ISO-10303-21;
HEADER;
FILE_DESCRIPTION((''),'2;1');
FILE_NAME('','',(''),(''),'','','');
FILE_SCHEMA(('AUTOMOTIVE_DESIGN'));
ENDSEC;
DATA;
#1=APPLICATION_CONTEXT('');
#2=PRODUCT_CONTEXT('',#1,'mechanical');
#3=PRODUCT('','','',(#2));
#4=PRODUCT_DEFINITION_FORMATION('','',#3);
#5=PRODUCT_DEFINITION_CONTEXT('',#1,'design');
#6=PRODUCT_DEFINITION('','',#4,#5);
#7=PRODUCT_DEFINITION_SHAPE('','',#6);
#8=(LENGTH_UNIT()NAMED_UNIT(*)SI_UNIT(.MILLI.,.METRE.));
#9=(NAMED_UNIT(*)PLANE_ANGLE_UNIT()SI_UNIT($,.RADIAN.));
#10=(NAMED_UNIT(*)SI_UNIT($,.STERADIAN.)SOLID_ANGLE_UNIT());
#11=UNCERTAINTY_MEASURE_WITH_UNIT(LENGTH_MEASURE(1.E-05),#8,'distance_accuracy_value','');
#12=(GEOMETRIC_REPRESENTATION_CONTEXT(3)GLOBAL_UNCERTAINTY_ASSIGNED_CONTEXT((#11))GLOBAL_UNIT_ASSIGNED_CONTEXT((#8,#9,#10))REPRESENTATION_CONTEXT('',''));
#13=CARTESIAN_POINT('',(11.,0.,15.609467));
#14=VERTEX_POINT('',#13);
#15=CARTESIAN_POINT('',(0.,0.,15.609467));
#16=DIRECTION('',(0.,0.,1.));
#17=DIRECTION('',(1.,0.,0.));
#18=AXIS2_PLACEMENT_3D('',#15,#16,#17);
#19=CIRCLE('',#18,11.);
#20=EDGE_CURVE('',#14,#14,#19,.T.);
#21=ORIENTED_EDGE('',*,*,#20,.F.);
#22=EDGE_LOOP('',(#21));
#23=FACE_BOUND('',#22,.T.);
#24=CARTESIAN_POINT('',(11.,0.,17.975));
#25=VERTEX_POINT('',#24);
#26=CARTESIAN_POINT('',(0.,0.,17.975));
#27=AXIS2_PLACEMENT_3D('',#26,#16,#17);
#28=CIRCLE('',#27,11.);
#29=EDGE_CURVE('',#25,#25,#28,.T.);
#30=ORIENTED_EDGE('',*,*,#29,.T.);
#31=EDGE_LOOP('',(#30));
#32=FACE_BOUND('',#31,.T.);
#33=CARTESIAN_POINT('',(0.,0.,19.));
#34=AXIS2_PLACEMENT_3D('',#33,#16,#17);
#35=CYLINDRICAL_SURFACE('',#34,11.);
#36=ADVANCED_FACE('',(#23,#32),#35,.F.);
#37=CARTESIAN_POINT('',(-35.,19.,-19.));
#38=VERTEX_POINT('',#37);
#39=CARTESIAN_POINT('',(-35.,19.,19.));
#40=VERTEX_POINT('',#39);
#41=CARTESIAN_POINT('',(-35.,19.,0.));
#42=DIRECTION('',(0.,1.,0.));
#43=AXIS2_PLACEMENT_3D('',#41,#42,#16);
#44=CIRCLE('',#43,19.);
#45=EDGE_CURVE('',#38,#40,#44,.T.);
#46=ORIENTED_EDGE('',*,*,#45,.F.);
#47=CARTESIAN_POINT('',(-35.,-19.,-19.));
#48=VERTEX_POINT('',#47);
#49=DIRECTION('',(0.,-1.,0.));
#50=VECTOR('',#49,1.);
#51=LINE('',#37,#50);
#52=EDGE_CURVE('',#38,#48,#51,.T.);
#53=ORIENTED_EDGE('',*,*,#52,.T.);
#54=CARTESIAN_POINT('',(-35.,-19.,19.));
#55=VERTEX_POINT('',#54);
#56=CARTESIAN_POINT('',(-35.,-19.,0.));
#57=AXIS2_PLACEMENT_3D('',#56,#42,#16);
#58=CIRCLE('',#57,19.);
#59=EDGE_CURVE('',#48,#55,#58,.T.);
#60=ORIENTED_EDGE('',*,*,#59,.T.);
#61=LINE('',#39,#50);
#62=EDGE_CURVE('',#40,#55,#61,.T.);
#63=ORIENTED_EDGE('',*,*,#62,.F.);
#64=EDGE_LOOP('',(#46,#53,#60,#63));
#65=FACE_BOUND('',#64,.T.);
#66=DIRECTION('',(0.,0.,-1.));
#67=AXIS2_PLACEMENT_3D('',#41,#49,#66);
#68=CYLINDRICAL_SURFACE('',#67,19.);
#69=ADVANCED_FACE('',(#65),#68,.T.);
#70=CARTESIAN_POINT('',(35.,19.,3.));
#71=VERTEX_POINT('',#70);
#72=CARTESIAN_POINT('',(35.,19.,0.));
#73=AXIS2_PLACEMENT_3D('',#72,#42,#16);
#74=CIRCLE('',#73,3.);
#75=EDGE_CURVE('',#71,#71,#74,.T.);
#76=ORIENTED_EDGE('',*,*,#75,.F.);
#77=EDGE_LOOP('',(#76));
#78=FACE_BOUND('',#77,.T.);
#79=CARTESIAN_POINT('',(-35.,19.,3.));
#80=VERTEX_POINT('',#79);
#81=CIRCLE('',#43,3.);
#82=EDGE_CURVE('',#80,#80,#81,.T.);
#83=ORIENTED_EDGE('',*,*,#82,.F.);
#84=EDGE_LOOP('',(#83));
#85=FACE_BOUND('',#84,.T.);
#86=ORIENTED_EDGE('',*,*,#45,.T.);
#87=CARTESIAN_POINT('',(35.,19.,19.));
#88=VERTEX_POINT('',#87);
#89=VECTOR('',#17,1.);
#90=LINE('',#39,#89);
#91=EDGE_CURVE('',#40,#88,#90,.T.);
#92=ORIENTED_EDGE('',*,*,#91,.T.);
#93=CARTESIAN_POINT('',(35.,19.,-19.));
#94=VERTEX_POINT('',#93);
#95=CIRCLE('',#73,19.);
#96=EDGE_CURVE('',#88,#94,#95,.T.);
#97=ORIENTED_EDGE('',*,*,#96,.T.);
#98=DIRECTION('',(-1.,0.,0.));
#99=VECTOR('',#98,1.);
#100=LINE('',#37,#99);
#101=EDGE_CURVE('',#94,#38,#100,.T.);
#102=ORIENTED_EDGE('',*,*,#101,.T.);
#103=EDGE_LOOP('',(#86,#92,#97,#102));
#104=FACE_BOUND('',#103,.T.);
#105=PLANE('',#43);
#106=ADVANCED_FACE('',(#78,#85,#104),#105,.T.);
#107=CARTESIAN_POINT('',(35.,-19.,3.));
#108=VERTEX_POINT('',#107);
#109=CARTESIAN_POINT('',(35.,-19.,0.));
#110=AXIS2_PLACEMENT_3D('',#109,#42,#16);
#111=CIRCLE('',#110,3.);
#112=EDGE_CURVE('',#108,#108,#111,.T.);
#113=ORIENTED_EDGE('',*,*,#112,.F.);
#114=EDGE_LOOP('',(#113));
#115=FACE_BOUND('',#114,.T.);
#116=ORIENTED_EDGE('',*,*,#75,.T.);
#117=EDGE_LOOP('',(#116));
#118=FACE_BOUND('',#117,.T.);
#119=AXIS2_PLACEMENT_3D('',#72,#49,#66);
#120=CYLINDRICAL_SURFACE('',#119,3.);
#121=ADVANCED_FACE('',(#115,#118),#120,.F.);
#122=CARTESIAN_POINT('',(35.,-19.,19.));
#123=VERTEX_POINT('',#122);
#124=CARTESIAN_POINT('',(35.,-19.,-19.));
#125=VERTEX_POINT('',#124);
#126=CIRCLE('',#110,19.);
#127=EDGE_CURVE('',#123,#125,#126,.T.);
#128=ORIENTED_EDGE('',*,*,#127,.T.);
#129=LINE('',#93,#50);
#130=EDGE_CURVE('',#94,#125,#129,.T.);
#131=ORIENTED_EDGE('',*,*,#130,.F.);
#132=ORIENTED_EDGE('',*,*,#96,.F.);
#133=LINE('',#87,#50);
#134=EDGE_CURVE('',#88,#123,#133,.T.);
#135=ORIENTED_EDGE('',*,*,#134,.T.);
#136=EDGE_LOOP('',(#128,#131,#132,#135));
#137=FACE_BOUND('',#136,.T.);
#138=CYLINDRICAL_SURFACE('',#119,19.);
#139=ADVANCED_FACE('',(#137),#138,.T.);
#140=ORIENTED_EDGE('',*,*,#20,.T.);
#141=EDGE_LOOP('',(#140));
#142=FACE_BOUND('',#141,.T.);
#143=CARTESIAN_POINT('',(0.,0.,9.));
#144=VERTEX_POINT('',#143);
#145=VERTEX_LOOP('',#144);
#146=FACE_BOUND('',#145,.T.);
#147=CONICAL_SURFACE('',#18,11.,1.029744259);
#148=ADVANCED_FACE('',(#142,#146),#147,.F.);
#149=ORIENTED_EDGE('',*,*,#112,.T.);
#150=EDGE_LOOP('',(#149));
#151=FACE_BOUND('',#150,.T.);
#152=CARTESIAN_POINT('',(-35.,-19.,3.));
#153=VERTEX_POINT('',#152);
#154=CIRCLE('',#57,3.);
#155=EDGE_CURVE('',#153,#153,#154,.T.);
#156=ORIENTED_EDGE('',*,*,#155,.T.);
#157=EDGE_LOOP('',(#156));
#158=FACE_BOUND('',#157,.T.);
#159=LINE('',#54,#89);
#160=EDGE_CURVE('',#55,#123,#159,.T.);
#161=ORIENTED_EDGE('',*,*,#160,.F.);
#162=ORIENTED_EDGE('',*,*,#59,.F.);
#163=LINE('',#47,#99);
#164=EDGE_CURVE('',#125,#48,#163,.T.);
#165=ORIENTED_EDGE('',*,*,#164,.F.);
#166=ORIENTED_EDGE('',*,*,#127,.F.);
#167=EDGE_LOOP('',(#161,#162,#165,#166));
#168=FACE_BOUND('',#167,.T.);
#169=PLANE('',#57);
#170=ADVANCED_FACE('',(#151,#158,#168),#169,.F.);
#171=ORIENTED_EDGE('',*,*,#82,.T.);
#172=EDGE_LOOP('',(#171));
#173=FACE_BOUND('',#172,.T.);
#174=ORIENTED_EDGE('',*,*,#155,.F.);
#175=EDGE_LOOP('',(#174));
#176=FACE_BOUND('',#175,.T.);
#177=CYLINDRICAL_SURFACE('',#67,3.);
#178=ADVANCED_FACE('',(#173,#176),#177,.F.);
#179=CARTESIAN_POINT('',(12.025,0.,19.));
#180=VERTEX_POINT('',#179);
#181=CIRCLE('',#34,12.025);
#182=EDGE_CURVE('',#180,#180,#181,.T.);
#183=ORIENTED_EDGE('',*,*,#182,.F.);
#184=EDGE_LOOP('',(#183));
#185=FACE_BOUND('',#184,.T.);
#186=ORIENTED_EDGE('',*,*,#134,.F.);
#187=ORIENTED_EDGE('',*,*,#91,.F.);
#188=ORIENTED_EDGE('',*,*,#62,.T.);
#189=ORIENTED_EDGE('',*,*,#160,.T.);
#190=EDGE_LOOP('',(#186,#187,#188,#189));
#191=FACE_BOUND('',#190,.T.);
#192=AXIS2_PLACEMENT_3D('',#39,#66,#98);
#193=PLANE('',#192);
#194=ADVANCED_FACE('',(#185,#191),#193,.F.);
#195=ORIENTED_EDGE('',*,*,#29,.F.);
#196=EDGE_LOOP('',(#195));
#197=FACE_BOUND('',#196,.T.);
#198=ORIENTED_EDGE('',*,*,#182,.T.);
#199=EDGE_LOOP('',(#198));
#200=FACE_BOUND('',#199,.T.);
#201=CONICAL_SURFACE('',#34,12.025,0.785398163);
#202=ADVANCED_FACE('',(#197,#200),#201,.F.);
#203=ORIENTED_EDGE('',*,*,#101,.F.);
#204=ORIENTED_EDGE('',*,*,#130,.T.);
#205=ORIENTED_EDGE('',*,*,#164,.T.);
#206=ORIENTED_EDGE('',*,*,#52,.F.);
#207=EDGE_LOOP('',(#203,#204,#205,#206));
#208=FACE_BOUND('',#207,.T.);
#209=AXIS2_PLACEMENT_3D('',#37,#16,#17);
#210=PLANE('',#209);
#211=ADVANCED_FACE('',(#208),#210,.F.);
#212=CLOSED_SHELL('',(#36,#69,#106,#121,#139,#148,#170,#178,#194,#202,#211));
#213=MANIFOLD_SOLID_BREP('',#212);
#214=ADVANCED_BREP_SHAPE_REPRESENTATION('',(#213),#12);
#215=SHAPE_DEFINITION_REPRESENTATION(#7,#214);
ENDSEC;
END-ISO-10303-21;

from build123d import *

# Parameters (mm, degrees)
SKETCH1_R           = 3
BOSS_EXTRUDE1_DEPTH = 19


with BuildPart() as part:
    # Sketch1 → Boss-Extrude1 (new, symmetric)
    with BuildSketch(Plane(origin=(0, 0, 0), x_dir=(1, 0, 0), z_dir=(0, 1, 0))):
        with BuildLine():
            Line((-35, 19), (35, 19))
            ThreePointArc((35, 19), (54, 0), (35, -19))
            Line((35, -19), (-35, -19))
            ThreePointArc((-35, -19), (-54, 0), (-35, 19))
        make_face()
        with Locations(Location((-35, 0, 0), (0, 0, 270))):
            Circle(SKETCH1_R, mode=Mode.SUBTRACT)
        with Locations(Location((35, 0, 0), (0, 0, 270))):
            Circle(SKETCH1_R, mode=Mode.SUBTRACT)
    extrude(amount=BOSS_EXTRUDE1_DEPTH, both=True)

    # Sketch3 → M24x2.0 Tapped Hole1 (revolve, cut)
    with BuildSketch(Plane(origin=(0, 0, 19), x_dir=(0, -1, 0), z_dir=(1, 0, 0))):
        Polygon((0, 0), (0, 10), (11, 3.390533191), (11, 1.025), (12.025, 0), align=None)
    revolve(axis=Axis((0, 0, 25.35), (0, 0, -1)), mode=Mode.SUBTRACT)


solid = part.part
